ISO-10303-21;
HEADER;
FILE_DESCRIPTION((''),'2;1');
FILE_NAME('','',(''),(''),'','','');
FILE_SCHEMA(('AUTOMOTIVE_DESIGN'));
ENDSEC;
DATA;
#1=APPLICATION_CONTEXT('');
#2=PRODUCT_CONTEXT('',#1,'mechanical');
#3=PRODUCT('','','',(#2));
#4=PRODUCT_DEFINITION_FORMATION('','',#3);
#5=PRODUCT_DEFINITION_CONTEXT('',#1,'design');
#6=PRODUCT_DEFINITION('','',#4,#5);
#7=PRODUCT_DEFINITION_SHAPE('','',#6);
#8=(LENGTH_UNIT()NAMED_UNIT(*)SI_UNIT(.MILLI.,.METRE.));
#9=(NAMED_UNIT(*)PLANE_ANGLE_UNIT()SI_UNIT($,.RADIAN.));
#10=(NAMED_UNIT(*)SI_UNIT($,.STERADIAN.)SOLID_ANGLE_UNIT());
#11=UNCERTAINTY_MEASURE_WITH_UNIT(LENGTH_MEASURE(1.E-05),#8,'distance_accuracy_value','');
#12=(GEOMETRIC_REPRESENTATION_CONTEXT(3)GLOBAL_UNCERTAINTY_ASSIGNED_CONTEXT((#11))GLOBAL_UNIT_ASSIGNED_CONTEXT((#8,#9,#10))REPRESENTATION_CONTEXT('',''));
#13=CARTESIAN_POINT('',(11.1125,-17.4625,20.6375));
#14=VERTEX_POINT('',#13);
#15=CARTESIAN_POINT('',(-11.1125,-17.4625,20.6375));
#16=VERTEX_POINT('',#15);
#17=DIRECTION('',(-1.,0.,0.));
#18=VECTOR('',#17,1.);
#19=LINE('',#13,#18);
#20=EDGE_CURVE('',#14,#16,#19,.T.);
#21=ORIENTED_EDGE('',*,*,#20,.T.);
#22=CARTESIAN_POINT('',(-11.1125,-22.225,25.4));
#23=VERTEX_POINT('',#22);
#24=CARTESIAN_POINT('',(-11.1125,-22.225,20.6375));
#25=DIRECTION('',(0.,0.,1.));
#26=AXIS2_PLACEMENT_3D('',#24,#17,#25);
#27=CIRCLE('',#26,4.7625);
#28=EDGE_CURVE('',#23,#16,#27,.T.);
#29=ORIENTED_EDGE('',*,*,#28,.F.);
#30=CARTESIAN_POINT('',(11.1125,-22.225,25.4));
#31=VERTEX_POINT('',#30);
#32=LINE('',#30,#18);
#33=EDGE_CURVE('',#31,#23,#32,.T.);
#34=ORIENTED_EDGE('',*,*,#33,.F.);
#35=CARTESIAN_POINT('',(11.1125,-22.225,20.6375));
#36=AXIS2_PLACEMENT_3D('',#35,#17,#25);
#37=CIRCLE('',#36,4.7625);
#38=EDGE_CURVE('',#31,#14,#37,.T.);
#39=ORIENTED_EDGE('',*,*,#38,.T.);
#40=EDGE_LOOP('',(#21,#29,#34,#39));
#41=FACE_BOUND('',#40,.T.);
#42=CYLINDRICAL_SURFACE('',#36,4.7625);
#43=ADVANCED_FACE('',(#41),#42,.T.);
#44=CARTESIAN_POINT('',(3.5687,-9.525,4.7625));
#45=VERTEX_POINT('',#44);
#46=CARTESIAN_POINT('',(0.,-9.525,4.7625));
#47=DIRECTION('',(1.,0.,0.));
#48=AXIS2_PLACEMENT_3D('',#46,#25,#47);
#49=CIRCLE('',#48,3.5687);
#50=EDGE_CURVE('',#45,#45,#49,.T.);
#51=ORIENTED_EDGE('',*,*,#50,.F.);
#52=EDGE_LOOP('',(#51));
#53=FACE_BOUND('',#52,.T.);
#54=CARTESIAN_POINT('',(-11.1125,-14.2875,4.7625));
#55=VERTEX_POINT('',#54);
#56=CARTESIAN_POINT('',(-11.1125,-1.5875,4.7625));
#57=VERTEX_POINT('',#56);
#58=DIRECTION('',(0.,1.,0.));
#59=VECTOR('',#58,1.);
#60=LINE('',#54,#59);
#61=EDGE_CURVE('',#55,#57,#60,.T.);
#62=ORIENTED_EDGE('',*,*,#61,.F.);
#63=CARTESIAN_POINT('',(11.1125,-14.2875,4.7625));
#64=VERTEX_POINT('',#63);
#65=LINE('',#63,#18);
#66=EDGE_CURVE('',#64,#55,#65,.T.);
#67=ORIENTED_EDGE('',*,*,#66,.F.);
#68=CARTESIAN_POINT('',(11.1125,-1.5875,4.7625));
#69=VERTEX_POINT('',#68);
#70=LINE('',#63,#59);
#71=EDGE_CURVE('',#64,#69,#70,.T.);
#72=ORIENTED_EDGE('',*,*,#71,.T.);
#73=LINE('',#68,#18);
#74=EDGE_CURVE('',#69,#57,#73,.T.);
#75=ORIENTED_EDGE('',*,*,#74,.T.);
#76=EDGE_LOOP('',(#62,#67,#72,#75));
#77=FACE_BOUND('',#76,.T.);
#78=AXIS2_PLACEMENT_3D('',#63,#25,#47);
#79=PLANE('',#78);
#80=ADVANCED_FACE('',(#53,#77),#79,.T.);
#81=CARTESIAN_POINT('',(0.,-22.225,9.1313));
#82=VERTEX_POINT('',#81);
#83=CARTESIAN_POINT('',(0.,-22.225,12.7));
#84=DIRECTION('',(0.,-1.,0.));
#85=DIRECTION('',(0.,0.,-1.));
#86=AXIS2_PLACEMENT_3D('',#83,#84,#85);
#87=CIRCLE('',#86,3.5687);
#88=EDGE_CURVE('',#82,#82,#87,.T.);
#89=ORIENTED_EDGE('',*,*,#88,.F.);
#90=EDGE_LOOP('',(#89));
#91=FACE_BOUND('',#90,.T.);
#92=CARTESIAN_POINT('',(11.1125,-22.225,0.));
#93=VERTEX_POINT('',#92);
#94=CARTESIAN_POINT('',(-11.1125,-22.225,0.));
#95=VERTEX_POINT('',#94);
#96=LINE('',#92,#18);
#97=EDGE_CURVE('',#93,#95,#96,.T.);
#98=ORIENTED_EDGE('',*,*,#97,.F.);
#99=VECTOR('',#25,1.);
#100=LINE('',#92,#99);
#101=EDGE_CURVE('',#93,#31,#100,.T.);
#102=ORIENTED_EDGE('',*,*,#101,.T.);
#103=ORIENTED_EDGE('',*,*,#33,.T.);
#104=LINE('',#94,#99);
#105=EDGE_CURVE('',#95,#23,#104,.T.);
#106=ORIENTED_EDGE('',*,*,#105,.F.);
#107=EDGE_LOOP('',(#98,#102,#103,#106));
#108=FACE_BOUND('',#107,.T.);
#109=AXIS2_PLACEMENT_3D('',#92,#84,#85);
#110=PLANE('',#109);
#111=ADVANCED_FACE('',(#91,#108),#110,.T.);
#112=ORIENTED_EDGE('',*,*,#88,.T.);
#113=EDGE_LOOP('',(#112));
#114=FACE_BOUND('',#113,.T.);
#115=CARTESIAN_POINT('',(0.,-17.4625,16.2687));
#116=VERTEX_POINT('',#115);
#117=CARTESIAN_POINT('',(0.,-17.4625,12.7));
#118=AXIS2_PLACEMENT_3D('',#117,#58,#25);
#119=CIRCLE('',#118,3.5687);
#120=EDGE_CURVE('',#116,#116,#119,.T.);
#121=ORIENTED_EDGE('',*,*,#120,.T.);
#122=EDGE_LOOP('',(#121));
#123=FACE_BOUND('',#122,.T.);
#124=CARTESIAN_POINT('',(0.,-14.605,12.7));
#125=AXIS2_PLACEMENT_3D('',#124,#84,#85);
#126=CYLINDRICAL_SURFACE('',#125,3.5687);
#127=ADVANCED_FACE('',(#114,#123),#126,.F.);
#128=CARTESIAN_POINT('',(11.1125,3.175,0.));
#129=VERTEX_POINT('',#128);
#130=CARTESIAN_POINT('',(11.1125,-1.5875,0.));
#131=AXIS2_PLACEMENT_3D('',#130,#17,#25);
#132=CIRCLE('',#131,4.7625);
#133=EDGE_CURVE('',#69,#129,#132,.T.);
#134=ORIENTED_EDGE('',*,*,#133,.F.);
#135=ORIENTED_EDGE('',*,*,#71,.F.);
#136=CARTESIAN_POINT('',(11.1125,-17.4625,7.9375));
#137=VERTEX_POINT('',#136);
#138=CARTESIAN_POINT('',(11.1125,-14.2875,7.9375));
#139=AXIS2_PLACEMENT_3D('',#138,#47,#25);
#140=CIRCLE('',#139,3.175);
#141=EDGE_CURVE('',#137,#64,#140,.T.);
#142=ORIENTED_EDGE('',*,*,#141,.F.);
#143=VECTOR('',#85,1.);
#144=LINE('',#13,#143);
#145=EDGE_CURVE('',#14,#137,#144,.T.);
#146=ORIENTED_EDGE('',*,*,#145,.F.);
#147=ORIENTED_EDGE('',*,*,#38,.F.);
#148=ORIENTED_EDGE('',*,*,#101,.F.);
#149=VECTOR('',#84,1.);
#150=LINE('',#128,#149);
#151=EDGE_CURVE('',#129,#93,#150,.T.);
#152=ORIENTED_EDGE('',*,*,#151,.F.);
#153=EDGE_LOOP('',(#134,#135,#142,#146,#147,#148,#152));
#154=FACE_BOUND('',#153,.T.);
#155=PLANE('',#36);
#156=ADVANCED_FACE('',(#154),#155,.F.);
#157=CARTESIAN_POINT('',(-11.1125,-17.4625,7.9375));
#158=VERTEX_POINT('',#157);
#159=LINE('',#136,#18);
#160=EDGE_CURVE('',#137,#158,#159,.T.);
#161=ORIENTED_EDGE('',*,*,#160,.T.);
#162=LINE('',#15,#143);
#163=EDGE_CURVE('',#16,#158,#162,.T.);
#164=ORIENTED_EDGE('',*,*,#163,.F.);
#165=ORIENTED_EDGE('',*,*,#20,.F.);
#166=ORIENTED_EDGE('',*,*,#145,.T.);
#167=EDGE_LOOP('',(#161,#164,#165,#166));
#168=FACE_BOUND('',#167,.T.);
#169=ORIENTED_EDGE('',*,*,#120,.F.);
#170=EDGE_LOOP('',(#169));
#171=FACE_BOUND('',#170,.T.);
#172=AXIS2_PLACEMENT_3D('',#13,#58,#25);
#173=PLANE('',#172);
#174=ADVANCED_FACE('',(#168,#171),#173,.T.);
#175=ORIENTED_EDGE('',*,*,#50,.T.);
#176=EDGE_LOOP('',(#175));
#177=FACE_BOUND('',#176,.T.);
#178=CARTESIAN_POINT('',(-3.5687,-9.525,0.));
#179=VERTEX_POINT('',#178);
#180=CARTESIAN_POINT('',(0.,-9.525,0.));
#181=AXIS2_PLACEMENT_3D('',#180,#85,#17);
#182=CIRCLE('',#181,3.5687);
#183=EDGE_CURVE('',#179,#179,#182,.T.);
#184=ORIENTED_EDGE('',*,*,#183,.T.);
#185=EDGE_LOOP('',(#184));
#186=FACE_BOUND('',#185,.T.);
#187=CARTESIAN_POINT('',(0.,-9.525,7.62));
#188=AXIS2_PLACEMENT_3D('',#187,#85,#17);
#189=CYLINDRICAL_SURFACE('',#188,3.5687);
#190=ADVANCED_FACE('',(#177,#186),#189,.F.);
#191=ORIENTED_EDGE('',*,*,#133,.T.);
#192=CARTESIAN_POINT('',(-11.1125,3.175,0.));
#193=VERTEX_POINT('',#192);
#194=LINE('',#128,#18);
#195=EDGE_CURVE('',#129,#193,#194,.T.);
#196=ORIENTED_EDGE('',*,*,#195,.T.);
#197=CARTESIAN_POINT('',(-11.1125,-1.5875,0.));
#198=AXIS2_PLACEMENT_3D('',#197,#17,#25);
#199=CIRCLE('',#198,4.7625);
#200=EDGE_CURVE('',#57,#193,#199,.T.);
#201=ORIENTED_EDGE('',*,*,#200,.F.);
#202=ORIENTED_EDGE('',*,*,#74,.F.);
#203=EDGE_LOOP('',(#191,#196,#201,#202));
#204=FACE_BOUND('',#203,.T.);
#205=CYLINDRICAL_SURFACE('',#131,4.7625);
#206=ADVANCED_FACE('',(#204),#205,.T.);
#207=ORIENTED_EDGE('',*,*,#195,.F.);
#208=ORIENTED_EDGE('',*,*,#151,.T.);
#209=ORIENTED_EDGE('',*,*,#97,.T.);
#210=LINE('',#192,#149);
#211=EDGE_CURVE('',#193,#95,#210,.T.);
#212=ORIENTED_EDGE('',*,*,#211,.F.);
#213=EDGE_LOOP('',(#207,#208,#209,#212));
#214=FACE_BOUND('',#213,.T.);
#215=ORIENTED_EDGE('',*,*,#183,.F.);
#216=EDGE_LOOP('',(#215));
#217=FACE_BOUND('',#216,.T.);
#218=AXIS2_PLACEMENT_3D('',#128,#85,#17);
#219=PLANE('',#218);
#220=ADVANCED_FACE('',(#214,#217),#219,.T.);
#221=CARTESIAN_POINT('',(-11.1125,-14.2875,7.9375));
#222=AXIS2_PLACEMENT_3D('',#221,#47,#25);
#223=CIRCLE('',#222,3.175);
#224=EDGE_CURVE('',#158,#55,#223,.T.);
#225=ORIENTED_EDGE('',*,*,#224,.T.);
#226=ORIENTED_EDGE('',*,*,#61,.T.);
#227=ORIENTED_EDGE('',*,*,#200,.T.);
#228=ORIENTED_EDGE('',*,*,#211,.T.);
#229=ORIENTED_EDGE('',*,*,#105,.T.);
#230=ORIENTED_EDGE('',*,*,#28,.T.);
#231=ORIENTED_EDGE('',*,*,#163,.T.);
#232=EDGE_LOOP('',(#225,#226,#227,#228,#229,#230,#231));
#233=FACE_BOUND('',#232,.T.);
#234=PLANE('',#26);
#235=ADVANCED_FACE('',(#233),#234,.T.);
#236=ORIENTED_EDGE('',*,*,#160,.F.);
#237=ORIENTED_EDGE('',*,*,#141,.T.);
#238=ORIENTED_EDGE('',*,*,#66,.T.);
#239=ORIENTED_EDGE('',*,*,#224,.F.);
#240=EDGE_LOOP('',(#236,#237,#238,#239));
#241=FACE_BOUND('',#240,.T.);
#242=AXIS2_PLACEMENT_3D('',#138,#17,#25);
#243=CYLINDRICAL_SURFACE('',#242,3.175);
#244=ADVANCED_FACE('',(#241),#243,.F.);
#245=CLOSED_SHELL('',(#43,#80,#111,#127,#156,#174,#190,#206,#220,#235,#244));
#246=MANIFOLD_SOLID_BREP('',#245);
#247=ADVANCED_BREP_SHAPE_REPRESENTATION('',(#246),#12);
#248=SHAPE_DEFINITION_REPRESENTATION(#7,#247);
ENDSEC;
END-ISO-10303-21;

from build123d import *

# Parameters (mm, degrees)
BOSS_EXTRUDE1_DEPTH = 11.1125
SKETCH6_R           = 3.5687
CUT_EXTRUDE1_DEPTH  = 7.62
SKETCH7_R           = 3.5687
CUT_EXTRUDE2_DEPTH  = 7.62


with BuildPart() as part:
    # Sketch1 → Boss-Extrude1 (new body, symmetric)
    with BuildSketch(Plane(origin=(0, -22.225, 0), x_dir=(0, -1, 0), z_dir=(-1, 0, 0))):
        with BuildLine():
            Line((0, 0), (0, 25.4))
            ThreePointArc((0, 25.4), (-3.367596045, 24.005096045), (-4.7625, 20.6375))
            Line((-4.7625, 20.6375), (-4.7625, 7.9375))
            ThreePointArc((-4.7625, 7.9375), (-5.69243597, 5.69243597), (-7.9375, 4.7625))
            Line((-7.9375, 4.7625), (-20.6375, 4.7625))
            ThreePointArc((-20.6375, 4.7625), (-24.005096045, 3.367596045), (-25.4, 0))
            Line((-25.4, 0), (0, 0))
        make_face()
    extrude(amount=BOSS_EXTRUDE1_DEPTH, both=True)

    # Sketch6 → Cut-Extrude1 (cut)
    with BuildSketch(Plane(origin=(0, -22.225, 0), x_dir=(-1, 0, 0), z_dir=(0, -1, 0))):
        with Locations((0, -12.7)):
            Circle(SKETCH6_R)
    extrude(amount=-CUT_EXTRUDE1_DEPTH, mode=Mode.SUBTRACT)

    # Sketch7 → Cut-Extrude2 (cut)
    with BuildSketch(Plane(origin=(0, 0, 0), x_dir=(-1, 0, 0), z_dir=(0, 0, -1))):
        with Locations((0, -9.525)):
            Circle(SKETCH7_R)
    extrude(amount=-CUT_EXTRUDE2_DEPTH, mode=Mode.SUBTRACT)


solid = part.part
